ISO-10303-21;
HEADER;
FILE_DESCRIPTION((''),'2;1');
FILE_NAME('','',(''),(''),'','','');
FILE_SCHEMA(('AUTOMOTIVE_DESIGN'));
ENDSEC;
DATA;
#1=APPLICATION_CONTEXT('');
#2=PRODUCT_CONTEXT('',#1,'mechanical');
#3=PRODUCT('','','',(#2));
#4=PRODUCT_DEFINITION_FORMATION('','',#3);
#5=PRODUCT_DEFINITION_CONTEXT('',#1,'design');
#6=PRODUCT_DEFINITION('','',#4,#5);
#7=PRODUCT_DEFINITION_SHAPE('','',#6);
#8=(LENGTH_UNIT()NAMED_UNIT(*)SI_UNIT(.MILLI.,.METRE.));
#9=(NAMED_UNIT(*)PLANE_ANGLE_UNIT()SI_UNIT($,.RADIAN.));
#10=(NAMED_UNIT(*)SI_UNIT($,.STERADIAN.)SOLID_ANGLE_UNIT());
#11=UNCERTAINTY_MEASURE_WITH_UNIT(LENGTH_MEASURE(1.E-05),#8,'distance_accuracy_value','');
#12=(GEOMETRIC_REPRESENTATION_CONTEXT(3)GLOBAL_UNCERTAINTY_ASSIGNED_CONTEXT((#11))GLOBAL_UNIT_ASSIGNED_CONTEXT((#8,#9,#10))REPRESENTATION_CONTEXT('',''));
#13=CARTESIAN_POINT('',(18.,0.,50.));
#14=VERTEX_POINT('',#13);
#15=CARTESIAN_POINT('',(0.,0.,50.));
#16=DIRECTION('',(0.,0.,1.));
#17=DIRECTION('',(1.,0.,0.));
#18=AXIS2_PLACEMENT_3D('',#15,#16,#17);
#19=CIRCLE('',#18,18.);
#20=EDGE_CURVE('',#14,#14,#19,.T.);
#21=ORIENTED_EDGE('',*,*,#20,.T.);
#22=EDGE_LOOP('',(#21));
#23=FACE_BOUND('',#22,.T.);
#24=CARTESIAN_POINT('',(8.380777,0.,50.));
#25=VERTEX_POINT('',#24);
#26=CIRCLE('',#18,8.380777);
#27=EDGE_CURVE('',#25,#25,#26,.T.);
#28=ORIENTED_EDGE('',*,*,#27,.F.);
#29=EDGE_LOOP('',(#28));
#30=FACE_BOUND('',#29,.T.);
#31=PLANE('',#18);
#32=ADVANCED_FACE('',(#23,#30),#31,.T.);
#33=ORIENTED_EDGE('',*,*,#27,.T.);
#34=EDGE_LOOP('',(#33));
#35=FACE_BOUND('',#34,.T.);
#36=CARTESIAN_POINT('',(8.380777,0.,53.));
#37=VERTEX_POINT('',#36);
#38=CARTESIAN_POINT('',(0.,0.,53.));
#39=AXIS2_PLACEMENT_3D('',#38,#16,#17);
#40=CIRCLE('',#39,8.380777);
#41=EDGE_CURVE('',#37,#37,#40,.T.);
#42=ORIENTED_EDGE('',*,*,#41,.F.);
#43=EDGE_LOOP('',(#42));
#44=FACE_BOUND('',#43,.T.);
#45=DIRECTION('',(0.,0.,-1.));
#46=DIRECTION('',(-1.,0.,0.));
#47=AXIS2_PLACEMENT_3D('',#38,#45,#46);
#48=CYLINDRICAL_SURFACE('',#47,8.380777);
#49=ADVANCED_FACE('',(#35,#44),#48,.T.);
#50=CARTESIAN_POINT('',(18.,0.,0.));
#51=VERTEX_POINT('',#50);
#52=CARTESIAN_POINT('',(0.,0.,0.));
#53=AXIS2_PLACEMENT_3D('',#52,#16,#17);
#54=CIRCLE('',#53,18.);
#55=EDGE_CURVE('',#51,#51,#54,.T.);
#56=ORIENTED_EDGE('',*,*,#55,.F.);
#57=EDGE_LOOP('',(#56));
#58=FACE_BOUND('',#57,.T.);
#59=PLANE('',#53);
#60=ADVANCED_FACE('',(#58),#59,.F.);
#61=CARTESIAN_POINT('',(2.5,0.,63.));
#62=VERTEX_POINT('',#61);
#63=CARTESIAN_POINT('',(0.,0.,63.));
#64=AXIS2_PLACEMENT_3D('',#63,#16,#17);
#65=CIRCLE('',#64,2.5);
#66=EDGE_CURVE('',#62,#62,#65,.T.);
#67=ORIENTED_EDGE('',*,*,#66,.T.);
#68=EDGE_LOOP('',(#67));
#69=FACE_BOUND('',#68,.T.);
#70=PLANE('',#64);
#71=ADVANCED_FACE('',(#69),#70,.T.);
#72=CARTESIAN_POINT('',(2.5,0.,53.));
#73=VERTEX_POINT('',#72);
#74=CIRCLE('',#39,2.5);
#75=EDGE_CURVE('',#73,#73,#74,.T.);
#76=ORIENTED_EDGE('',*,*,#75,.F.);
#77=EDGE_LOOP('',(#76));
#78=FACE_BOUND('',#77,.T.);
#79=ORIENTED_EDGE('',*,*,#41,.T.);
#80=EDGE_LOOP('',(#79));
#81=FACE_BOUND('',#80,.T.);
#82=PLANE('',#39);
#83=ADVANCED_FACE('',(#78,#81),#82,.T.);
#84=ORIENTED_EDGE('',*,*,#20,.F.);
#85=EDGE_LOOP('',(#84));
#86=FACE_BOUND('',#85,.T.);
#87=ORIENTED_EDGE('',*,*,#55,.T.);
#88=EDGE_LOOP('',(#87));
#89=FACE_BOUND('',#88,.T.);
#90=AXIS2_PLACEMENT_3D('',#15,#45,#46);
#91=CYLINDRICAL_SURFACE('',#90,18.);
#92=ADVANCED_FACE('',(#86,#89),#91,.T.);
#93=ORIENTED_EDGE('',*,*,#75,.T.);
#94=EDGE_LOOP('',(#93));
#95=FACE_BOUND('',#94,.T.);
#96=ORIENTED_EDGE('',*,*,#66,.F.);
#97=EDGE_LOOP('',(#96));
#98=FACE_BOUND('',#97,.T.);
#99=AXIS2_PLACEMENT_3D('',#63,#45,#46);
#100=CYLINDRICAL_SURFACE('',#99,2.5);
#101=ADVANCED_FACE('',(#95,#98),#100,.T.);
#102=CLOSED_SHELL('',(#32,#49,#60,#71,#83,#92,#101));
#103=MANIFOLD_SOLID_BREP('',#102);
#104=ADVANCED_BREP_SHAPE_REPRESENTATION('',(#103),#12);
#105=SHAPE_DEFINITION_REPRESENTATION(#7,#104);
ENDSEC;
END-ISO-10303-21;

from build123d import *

# Parameters (mm, degrees)
SKETCH1_R           = 18
BOSS_EXTRUDE1_DEPTH = 50
SKETCH2_R           = 8.380776787
BOSS_EXTRUDE2_DEPTH = 3
SKETCH3_R           = 2.5
BOSS_EXTRUDE3_DEPTH = 10


with BuildPart() as part:
    # Sketch1 → Boss-Extrude1 (new body)
    with BuildSketch(Plane.XY):
        Circle(SKETCH1_R)
    extrude(amount=BOSS_EXTRUDE1_DEPTH)

    # Sketch2 → Boss-Extrude2 (add)
    with BuildSketch(Plane.XY.offset(50)):
        Circle(SKETCH2_R)
    extrude(amount=BOSS_EXTRUDE2_DEPTH)

    # Sketch3 → Boss-Extrude3 (add)
    with BuildSketch(Plane.XY.offset(53)):
        Circle(SKETCH3_R)
    extrude(amount=BOSS_EXTRUDE3_DEPTH)


solid = part.part
